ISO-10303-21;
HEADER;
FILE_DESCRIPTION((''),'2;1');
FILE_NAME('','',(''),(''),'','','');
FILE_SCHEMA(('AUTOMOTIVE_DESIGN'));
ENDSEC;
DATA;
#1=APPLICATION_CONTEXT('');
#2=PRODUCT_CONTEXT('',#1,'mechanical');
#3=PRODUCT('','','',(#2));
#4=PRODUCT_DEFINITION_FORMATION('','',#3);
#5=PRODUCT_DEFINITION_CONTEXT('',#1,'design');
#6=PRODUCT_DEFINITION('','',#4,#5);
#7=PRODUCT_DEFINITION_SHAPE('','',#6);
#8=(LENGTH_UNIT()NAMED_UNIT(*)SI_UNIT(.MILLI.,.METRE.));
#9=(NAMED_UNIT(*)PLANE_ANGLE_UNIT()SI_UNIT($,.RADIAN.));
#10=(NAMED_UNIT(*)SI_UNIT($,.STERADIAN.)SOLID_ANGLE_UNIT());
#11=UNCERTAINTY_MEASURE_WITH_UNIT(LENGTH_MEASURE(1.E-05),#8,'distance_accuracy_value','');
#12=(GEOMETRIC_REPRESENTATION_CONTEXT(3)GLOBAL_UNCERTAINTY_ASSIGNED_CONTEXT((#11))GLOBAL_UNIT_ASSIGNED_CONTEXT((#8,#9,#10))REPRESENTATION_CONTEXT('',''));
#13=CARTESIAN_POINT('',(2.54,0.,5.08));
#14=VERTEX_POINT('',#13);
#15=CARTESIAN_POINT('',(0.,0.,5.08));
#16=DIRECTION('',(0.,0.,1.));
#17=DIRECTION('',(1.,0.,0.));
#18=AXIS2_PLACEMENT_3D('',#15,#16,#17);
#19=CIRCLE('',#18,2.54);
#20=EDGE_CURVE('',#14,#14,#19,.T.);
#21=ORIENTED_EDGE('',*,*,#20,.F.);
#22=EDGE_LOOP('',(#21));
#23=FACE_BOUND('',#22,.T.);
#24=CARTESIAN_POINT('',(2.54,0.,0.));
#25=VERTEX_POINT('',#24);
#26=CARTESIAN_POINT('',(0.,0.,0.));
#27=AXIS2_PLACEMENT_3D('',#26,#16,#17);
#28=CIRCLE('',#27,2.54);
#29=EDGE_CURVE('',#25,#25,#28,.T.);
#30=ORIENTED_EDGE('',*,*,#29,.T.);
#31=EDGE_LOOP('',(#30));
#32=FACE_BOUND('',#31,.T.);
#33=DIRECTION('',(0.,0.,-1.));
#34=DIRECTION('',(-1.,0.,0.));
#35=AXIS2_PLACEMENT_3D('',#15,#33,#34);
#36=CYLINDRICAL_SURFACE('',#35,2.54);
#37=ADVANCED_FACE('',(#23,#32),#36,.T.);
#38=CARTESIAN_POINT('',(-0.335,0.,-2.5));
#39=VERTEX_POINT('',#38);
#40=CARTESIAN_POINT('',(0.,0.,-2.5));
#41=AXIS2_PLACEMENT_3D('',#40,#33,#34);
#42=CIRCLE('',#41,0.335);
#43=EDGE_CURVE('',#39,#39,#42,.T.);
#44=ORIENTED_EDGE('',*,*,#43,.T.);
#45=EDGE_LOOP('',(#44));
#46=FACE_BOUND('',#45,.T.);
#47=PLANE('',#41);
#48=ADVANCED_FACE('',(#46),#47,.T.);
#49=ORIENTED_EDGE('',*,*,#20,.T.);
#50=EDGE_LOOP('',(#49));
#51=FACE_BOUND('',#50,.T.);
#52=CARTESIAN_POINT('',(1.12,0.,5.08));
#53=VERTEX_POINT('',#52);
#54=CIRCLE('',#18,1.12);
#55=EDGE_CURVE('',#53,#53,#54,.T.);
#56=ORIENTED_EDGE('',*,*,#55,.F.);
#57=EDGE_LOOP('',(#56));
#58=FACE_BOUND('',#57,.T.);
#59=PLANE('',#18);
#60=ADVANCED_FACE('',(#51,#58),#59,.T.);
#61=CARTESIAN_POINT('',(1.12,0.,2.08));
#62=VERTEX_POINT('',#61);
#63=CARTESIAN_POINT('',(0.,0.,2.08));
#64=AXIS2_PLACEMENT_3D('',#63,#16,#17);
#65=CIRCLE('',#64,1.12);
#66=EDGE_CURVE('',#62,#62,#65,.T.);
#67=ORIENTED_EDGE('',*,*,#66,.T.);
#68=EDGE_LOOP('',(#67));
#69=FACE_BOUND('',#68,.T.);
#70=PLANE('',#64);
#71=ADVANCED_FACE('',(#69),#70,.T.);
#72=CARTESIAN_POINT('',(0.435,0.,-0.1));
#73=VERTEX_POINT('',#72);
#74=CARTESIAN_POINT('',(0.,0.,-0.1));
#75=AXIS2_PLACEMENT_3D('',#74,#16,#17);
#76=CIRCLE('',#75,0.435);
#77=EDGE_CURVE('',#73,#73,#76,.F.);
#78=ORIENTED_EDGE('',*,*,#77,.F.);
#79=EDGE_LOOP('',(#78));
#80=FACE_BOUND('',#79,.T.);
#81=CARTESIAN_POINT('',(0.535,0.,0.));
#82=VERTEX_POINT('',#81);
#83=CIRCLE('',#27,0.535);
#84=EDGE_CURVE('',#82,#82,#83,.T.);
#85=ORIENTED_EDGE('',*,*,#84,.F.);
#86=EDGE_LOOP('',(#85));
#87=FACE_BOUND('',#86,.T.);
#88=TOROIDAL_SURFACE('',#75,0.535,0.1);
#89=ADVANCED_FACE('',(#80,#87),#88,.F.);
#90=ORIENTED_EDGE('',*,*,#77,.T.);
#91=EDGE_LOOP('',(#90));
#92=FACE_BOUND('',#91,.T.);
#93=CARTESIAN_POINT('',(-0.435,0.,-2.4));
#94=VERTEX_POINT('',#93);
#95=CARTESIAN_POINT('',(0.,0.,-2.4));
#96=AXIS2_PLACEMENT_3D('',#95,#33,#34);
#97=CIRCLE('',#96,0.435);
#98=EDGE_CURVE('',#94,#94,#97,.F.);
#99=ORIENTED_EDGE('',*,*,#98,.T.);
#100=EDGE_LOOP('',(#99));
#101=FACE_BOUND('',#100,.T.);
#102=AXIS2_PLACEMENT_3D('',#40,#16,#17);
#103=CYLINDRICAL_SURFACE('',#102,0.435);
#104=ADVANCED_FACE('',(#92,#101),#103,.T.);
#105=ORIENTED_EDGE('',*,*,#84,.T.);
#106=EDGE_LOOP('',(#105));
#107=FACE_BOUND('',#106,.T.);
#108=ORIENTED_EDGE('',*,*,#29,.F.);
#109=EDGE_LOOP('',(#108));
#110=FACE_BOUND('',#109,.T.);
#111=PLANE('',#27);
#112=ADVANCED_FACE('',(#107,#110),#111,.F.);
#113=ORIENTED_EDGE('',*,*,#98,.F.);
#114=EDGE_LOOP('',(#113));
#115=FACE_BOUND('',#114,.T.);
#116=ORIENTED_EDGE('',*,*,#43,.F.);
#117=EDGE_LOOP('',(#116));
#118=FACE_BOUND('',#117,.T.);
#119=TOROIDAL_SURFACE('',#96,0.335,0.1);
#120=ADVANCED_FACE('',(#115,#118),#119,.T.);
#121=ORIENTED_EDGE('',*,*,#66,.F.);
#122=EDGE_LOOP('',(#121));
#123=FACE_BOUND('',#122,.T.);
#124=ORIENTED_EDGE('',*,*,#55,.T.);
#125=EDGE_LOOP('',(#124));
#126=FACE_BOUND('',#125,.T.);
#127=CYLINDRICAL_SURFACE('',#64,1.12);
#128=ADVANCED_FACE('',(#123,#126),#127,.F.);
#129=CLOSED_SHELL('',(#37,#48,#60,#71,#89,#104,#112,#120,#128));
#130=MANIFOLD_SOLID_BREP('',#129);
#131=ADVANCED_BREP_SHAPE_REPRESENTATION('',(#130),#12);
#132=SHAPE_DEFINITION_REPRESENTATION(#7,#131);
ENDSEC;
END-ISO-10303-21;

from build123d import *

# Parameters (mm, degrees)
SKETCH1_R           = 2.54
BOSS_EXTRUDE1_DEPTH = 5.08
SKETCH2_R           = 1.12
CUT_EXTRUDE1_DEPTH  = 3
SKETCH3_R           = 0.435
BOSS_EXTRUDE2_DEPTH = 2.5
FILLET1_R           = 0.1
FILLET2_R           = 0.1


with BuildPart() as part:
    # Sketch1 → Boss-Extrude1 (new body)
    with BuildSketch(Plane.XY):
        Circle(SKETCH1_R)
    extrude(amount=BOSS_EXTRUDE1_DEPTH)

    # Sketch2 → Cut-Extrude1 (cut)
    with BuildSketch(Plane.XY.offset(5.08)):
        Circle(SKETCH2_R)
    extrude(amount=-CUT_EXTRUDE1_DEPTH, mode=Mode.SUBTRACT)

    # Sketch3 → Boss-Extrude2 (add)
    with BuildSketch(Plane(origin=(0, 0, 0), x_dir=(-1, 0, 0), z_dir=(0, 0, -1))):
        Circle(SKETCH3_R)
    extrude(amount=BOSS_EXTRUDE2_DEPTH)

    # Fillet1
    fillet1_edges = [part.edges().sort_by_distance(p)[0] for p in [
        (0.435, 0, 0),
    ]]
    fillet(fillet1_edges, radius=FILLET1_R)

    # Fillet2
    fillet2_edges = [part.edges().sort_by_distance(p)[0] for p in [
        (0.435, 0, -2.5),
    ]]
    fillet(fillet2_edges, radius=FILLET2_R)


solid = part.part
